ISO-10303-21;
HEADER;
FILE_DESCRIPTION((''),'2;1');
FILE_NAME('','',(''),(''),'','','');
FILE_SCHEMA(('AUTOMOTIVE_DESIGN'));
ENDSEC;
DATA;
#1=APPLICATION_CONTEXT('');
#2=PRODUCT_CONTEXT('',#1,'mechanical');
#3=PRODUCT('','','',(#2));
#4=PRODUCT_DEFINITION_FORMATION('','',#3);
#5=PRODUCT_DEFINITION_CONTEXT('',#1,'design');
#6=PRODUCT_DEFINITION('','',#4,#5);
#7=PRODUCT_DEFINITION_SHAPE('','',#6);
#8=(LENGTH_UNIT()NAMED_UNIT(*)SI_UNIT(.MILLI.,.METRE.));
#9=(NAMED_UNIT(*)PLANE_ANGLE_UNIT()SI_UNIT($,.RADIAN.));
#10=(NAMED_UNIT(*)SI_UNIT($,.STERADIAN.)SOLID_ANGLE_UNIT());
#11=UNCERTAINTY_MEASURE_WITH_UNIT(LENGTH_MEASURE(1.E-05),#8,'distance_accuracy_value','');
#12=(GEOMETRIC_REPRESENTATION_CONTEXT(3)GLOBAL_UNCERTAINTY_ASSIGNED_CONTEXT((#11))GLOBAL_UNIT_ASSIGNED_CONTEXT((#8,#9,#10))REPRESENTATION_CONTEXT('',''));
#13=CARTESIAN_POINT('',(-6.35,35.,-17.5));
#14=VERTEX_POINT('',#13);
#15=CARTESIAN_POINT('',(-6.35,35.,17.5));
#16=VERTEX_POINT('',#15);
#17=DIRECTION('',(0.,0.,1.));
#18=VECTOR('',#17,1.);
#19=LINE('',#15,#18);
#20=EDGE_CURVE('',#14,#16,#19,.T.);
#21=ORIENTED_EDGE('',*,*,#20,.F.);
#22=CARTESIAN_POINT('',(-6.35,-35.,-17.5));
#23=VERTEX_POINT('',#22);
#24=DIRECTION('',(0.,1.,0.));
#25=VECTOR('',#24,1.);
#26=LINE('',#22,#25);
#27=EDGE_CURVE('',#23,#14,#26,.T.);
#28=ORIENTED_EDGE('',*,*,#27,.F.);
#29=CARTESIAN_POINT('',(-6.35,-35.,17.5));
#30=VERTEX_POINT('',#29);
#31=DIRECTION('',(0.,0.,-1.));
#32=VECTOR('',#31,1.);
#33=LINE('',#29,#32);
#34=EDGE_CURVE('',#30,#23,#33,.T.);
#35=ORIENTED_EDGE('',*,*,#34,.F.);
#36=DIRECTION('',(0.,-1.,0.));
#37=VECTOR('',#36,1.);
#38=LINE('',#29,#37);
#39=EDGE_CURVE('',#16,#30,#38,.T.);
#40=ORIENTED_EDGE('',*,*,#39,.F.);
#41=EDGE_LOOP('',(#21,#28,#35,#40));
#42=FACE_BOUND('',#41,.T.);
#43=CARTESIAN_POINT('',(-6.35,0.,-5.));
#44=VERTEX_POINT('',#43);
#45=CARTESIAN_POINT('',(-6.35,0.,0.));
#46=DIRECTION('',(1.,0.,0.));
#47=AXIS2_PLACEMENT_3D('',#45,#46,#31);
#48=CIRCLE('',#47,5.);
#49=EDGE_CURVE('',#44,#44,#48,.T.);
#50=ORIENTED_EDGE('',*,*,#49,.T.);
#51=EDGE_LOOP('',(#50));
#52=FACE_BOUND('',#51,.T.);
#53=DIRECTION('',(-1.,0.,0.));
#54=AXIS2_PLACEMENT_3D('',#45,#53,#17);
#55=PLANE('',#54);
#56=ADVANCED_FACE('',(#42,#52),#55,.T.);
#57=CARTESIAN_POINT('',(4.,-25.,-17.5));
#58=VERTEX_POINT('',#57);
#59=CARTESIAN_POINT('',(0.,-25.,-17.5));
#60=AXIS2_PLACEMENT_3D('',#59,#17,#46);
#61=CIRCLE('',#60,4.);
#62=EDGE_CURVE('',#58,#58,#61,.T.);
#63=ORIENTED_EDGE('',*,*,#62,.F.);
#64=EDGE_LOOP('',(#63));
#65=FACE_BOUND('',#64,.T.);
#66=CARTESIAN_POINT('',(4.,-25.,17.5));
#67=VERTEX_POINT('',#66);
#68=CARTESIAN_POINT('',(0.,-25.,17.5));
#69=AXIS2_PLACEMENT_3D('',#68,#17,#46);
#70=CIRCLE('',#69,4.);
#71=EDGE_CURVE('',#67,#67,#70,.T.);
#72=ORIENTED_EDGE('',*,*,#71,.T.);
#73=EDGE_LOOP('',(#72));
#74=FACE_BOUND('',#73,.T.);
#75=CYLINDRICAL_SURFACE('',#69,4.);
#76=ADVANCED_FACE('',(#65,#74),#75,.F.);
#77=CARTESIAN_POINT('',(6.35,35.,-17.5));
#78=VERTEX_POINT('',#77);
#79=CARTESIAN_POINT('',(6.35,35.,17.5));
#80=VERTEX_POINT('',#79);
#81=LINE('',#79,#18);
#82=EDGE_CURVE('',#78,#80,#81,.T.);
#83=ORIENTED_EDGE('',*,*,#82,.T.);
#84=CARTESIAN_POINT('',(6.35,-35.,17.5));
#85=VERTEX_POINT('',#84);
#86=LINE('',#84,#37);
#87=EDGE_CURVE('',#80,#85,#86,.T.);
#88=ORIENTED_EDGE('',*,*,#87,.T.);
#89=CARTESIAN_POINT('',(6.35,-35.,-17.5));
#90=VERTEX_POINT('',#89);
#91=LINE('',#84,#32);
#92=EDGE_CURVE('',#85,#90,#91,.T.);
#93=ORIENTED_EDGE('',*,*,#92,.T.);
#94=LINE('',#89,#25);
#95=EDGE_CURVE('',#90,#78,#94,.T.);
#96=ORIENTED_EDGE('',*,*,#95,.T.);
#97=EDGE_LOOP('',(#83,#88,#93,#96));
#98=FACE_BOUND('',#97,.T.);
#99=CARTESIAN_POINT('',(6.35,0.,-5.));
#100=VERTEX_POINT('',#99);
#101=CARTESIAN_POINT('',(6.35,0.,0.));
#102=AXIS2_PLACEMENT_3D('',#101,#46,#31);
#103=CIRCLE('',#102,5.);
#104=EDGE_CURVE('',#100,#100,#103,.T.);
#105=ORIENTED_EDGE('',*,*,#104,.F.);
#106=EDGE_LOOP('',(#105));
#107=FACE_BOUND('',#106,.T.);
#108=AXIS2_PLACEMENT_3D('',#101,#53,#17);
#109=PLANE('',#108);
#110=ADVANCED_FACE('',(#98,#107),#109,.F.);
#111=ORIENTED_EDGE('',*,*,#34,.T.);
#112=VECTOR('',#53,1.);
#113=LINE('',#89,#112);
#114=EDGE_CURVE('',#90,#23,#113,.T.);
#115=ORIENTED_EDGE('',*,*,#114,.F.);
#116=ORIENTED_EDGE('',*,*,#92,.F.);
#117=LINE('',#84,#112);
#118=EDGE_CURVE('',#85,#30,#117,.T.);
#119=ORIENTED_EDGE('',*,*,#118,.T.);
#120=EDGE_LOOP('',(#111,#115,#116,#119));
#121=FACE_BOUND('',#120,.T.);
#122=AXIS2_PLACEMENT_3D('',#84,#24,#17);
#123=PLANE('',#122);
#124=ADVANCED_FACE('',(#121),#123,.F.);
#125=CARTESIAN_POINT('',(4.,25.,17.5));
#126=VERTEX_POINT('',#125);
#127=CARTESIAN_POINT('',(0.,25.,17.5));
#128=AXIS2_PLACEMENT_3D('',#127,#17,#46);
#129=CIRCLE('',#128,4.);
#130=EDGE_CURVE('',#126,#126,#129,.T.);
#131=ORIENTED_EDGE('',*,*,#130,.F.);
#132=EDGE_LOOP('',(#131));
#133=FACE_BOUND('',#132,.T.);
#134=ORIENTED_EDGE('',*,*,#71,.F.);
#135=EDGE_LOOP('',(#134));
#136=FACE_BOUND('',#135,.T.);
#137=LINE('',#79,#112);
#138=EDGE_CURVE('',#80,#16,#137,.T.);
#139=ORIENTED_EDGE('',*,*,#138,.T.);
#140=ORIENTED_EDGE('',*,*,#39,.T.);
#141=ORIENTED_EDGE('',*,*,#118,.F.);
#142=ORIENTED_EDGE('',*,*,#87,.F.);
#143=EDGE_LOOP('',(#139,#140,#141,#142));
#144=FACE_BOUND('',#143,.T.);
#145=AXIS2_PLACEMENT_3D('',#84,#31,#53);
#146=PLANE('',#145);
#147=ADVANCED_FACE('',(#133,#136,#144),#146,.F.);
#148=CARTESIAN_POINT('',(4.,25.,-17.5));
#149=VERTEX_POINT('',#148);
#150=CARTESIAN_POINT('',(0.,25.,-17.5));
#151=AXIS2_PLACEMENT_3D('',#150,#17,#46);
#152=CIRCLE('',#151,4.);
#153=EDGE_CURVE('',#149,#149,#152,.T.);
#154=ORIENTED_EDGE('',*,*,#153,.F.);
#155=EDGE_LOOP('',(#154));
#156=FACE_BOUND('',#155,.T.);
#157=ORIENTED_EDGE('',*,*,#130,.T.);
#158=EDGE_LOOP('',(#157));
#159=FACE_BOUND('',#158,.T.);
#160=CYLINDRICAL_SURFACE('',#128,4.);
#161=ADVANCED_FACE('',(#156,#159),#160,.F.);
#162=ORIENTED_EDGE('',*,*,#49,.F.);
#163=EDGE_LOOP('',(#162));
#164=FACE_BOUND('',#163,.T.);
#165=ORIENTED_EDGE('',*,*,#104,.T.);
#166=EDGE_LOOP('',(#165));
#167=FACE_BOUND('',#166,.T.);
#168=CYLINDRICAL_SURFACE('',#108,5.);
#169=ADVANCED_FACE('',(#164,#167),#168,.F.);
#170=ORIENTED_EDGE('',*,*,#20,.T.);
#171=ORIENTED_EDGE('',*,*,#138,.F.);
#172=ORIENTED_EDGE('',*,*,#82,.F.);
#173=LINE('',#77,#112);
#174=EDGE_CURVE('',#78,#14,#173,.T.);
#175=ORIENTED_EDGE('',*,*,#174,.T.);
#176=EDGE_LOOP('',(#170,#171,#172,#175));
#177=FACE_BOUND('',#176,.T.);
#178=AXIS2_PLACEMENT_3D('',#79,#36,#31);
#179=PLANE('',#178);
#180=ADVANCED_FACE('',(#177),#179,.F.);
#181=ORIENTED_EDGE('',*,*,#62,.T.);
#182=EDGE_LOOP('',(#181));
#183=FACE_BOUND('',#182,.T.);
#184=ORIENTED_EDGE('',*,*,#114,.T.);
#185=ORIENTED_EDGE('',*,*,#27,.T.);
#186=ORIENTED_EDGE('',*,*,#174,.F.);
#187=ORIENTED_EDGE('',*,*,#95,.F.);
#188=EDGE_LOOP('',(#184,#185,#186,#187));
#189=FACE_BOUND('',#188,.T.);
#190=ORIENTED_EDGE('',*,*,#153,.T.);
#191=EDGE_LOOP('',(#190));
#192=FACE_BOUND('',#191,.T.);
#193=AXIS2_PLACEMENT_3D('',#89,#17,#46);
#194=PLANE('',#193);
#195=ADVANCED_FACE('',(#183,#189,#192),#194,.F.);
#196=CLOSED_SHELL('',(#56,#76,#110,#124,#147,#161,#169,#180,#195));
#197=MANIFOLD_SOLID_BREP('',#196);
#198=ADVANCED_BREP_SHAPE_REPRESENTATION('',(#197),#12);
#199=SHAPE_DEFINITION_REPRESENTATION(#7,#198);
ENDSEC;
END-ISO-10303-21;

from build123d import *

# Parameters (mm, degrees)
CROQUIS1_W                    = 35
CROQUIS1_H                    = 70
CROQUIS1_R                    = 5
SALIENTE_EXTRUIR1_DEPTH       = 6.35
DI_METRO_DE_TALADRO_5_0_5_1_D = 8


with BuildPart() as part:
    # Croquis1 → Saliente-Extruir1 (new, symmetric)
    with BuildSketch(Plane(origin=(0, 0, 0), x_dir=(0, 0, -1), z_dir=(1, 0, 0))):
        Rectangle(CROQUIS1_W, CROQUIS1_H)
        Circle(CROQUIS1_R, mode=Mode.SUBTRACT)
    extrude(amount=SALIENTE_EXTRUIR1_DEPTH, both=True)

    # Diámetro de taladro Ø5.0 (5)1 (through all)
    with Locations(Plane.XY.offset(17.5)):
        with Locations((0, 25), (0, -25)):
            Hole(DI_METRO_DE_TALADRO_5_0_5_1_D / 2)


solid = part.part
